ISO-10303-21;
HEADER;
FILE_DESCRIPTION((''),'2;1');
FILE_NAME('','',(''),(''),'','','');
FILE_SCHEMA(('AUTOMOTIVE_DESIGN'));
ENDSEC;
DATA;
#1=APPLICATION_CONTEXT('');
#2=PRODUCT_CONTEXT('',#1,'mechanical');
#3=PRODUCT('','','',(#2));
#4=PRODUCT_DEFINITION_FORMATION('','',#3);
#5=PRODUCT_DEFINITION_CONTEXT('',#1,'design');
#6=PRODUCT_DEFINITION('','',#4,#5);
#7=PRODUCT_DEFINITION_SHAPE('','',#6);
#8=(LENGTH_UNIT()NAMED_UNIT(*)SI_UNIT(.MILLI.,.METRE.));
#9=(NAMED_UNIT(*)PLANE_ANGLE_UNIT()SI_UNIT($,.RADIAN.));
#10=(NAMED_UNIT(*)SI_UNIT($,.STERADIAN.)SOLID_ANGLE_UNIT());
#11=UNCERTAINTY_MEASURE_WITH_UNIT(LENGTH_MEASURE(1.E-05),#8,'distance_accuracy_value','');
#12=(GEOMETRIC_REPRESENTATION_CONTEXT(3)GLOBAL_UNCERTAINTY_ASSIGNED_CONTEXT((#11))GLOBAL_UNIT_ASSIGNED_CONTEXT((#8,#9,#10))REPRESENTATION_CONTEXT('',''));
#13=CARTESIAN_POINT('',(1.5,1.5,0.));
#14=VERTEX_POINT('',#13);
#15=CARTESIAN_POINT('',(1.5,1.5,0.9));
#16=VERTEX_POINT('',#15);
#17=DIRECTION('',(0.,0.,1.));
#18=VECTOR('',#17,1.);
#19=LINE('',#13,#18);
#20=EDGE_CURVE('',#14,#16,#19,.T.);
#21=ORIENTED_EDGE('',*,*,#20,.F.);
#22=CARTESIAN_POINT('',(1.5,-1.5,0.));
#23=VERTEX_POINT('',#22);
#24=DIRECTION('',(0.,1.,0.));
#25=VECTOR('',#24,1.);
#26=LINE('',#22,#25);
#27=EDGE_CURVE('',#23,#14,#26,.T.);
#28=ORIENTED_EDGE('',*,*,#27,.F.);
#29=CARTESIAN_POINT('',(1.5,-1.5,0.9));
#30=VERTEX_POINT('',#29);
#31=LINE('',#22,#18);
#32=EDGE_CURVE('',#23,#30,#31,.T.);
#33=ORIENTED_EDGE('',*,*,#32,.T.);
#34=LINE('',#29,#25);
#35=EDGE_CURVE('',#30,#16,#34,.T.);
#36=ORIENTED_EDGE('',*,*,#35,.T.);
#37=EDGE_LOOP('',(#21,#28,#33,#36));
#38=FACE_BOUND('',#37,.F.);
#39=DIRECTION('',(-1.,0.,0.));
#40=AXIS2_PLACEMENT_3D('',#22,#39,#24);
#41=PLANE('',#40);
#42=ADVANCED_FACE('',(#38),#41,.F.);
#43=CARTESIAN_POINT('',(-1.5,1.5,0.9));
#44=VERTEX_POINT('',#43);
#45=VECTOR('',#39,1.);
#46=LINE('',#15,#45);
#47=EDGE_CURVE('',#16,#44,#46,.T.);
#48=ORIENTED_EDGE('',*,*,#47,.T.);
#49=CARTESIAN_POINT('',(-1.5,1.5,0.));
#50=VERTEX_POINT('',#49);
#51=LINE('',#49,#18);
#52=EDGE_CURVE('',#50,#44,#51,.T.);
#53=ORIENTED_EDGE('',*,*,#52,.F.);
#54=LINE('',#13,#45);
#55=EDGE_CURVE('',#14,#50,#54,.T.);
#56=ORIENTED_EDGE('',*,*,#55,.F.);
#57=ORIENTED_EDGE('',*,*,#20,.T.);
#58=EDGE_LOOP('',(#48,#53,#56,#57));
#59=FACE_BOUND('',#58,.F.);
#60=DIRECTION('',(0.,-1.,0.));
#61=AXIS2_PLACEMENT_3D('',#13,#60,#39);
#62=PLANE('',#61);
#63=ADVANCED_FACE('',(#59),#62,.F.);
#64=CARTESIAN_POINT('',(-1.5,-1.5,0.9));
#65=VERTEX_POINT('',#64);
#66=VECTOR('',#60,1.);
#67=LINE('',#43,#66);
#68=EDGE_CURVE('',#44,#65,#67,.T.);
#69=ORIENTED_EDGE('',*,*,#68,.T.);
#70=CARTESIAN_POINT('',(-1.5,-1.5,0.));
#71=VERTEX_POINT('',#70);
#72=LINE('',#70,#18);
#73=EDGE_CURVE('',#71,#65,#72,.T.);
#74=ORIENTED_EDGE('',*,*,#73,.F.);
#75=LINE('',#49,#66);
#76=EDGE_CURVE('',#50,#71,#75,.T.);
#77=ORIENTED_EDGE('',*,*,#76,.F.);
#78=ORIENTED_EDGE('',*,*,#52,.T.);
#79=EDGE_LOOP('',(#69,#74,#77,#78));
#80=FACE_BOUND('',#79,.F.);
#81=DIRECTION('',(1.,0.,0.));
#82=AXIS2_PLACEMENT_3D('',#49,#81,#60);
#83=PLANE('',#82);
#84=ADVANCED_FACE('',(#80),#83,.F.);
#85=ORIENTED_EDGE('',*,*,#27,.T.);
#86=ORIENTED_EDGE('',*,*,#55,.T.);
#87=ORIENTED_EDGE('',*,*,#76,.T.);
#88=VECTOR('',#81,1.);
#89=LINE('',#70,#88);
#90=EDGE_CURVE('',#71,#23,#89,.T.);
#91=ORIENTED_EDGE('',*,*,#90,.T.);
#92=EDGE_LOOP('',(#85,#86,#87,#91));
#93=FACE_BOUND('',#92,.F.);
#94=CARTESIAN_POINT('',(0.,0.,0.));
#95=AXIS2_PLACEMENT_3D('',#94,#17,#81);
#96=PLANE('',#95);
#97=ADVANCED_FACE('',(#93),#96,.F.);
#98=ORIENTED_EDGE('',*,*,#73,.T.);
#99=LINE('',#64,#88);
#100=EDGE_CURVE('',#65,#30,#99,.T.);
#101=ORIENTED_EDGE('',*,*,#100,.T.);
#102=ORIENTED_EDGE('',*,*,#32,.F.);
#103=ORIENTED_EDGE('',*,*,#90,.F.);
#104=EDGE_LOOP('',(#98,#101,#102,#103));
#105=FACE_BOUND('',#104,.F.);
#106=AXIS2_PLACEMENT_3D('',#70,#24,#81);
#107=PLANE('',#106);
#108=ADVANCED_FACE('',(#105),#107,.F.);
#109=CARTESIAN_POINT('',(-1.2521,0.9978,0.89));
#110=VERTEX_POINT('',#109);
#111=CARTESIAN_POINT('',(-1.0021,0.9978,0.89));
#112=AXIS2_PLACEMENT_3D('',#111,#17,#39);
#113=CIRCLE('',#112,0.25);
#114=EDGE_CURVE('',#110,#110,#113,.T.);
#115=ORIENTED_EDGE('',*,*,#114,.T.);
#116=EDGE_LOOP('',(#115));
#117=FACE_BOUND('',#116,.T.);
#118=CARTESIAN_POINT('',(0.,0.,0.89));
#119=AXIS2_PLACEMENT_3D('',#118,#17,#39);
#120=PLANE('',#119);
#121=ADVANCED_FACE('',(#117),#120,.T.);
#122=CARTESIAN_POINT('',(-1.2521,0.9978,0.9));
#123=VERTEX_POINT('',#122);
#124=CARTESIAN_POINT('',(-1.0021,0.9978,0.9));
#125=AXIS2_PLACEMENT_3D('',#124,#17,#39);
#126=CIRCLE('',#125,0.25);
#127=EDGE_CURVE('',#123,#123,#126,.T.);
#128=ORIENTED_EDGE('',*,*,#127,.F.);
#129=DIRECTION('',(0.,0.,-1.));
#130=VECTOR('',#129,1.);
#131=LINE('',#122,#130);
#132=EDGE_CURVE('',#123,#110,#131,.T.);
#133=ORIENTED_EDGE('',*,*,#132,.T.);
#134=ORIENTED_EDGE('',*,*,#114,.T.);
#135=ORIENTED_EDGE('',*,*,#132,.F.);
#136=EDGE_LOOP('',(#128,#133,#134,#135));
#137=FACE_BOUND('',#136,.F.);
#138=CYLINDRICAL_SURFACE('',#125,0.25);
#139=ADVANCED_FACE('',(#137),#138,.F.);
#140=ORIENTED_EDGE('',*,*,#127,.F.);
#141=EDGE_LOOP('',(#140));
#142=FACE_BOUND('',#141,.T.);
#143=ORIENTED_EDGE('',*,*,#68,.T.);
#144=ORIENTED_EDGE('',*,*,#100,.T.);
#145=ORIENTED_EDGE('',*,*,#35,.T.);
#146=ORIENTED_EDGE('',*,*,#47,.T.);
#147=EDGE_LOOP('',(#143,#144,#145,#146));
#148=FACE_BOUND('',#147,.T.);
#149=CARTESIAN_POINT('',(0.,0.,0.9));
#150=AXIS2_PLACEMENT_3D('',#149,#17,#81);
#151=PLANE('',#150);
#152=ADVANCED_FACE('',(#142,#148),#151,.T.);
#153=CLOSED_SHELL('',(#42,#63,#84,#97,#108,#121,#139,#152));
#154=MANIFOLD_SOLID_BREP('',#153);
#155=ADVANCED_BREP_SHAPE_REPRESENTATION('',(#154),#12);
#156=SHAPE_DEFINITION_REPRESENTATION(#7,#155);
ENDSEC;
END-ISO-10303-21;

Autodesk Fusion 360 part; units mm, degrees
sketch "スケッチ1" plane through (0, 0, 0) normal (0, 0, 1) x (1, 0, 0)
  line L0 (1.5, 1.5) -> (-1.5, 1.5)
  line L1 (-1.5, 1.5) -> (-1.5, -1.5)
  line L2 (-1.5, -1.5) -> (1.5, -1.5)
  line L3 (1.5, -1.5) -> (1.5, 1.5)
  line L4 (1.5, 1.5) -> (-1.5, -1.5) construction
  line L5 (-1.5, 1.5) -> (1.5, -1.5) construction
  dimension "d1" = 3
  dimension "d2" = 3
extrude "押し出し1" add sketch "スケッチ1" along normal blind 0.9
sketch "スケッチ2" plane through (0, 0, 0.9) normal (0, 0, 1) x (-1, 0, 0)
  line L0 (-1.5, 1.5) -> (-1.5, -1.5)
  line L1 (-1.5, -1.5) -> (1.5, -1.5)
  line L2 (1.5, -1.5) -> (1.5, 1.5)
  line L3 (1.5, 1.5) -> (-1.5, 1.5)
  circle A0 centre (1.0021, -0.9978) radius 0.25
  dimension "d5" = 0.5
extrude "押し出し2" cut sketch "スケッチ2" against normal blind 0.01 contours A0
